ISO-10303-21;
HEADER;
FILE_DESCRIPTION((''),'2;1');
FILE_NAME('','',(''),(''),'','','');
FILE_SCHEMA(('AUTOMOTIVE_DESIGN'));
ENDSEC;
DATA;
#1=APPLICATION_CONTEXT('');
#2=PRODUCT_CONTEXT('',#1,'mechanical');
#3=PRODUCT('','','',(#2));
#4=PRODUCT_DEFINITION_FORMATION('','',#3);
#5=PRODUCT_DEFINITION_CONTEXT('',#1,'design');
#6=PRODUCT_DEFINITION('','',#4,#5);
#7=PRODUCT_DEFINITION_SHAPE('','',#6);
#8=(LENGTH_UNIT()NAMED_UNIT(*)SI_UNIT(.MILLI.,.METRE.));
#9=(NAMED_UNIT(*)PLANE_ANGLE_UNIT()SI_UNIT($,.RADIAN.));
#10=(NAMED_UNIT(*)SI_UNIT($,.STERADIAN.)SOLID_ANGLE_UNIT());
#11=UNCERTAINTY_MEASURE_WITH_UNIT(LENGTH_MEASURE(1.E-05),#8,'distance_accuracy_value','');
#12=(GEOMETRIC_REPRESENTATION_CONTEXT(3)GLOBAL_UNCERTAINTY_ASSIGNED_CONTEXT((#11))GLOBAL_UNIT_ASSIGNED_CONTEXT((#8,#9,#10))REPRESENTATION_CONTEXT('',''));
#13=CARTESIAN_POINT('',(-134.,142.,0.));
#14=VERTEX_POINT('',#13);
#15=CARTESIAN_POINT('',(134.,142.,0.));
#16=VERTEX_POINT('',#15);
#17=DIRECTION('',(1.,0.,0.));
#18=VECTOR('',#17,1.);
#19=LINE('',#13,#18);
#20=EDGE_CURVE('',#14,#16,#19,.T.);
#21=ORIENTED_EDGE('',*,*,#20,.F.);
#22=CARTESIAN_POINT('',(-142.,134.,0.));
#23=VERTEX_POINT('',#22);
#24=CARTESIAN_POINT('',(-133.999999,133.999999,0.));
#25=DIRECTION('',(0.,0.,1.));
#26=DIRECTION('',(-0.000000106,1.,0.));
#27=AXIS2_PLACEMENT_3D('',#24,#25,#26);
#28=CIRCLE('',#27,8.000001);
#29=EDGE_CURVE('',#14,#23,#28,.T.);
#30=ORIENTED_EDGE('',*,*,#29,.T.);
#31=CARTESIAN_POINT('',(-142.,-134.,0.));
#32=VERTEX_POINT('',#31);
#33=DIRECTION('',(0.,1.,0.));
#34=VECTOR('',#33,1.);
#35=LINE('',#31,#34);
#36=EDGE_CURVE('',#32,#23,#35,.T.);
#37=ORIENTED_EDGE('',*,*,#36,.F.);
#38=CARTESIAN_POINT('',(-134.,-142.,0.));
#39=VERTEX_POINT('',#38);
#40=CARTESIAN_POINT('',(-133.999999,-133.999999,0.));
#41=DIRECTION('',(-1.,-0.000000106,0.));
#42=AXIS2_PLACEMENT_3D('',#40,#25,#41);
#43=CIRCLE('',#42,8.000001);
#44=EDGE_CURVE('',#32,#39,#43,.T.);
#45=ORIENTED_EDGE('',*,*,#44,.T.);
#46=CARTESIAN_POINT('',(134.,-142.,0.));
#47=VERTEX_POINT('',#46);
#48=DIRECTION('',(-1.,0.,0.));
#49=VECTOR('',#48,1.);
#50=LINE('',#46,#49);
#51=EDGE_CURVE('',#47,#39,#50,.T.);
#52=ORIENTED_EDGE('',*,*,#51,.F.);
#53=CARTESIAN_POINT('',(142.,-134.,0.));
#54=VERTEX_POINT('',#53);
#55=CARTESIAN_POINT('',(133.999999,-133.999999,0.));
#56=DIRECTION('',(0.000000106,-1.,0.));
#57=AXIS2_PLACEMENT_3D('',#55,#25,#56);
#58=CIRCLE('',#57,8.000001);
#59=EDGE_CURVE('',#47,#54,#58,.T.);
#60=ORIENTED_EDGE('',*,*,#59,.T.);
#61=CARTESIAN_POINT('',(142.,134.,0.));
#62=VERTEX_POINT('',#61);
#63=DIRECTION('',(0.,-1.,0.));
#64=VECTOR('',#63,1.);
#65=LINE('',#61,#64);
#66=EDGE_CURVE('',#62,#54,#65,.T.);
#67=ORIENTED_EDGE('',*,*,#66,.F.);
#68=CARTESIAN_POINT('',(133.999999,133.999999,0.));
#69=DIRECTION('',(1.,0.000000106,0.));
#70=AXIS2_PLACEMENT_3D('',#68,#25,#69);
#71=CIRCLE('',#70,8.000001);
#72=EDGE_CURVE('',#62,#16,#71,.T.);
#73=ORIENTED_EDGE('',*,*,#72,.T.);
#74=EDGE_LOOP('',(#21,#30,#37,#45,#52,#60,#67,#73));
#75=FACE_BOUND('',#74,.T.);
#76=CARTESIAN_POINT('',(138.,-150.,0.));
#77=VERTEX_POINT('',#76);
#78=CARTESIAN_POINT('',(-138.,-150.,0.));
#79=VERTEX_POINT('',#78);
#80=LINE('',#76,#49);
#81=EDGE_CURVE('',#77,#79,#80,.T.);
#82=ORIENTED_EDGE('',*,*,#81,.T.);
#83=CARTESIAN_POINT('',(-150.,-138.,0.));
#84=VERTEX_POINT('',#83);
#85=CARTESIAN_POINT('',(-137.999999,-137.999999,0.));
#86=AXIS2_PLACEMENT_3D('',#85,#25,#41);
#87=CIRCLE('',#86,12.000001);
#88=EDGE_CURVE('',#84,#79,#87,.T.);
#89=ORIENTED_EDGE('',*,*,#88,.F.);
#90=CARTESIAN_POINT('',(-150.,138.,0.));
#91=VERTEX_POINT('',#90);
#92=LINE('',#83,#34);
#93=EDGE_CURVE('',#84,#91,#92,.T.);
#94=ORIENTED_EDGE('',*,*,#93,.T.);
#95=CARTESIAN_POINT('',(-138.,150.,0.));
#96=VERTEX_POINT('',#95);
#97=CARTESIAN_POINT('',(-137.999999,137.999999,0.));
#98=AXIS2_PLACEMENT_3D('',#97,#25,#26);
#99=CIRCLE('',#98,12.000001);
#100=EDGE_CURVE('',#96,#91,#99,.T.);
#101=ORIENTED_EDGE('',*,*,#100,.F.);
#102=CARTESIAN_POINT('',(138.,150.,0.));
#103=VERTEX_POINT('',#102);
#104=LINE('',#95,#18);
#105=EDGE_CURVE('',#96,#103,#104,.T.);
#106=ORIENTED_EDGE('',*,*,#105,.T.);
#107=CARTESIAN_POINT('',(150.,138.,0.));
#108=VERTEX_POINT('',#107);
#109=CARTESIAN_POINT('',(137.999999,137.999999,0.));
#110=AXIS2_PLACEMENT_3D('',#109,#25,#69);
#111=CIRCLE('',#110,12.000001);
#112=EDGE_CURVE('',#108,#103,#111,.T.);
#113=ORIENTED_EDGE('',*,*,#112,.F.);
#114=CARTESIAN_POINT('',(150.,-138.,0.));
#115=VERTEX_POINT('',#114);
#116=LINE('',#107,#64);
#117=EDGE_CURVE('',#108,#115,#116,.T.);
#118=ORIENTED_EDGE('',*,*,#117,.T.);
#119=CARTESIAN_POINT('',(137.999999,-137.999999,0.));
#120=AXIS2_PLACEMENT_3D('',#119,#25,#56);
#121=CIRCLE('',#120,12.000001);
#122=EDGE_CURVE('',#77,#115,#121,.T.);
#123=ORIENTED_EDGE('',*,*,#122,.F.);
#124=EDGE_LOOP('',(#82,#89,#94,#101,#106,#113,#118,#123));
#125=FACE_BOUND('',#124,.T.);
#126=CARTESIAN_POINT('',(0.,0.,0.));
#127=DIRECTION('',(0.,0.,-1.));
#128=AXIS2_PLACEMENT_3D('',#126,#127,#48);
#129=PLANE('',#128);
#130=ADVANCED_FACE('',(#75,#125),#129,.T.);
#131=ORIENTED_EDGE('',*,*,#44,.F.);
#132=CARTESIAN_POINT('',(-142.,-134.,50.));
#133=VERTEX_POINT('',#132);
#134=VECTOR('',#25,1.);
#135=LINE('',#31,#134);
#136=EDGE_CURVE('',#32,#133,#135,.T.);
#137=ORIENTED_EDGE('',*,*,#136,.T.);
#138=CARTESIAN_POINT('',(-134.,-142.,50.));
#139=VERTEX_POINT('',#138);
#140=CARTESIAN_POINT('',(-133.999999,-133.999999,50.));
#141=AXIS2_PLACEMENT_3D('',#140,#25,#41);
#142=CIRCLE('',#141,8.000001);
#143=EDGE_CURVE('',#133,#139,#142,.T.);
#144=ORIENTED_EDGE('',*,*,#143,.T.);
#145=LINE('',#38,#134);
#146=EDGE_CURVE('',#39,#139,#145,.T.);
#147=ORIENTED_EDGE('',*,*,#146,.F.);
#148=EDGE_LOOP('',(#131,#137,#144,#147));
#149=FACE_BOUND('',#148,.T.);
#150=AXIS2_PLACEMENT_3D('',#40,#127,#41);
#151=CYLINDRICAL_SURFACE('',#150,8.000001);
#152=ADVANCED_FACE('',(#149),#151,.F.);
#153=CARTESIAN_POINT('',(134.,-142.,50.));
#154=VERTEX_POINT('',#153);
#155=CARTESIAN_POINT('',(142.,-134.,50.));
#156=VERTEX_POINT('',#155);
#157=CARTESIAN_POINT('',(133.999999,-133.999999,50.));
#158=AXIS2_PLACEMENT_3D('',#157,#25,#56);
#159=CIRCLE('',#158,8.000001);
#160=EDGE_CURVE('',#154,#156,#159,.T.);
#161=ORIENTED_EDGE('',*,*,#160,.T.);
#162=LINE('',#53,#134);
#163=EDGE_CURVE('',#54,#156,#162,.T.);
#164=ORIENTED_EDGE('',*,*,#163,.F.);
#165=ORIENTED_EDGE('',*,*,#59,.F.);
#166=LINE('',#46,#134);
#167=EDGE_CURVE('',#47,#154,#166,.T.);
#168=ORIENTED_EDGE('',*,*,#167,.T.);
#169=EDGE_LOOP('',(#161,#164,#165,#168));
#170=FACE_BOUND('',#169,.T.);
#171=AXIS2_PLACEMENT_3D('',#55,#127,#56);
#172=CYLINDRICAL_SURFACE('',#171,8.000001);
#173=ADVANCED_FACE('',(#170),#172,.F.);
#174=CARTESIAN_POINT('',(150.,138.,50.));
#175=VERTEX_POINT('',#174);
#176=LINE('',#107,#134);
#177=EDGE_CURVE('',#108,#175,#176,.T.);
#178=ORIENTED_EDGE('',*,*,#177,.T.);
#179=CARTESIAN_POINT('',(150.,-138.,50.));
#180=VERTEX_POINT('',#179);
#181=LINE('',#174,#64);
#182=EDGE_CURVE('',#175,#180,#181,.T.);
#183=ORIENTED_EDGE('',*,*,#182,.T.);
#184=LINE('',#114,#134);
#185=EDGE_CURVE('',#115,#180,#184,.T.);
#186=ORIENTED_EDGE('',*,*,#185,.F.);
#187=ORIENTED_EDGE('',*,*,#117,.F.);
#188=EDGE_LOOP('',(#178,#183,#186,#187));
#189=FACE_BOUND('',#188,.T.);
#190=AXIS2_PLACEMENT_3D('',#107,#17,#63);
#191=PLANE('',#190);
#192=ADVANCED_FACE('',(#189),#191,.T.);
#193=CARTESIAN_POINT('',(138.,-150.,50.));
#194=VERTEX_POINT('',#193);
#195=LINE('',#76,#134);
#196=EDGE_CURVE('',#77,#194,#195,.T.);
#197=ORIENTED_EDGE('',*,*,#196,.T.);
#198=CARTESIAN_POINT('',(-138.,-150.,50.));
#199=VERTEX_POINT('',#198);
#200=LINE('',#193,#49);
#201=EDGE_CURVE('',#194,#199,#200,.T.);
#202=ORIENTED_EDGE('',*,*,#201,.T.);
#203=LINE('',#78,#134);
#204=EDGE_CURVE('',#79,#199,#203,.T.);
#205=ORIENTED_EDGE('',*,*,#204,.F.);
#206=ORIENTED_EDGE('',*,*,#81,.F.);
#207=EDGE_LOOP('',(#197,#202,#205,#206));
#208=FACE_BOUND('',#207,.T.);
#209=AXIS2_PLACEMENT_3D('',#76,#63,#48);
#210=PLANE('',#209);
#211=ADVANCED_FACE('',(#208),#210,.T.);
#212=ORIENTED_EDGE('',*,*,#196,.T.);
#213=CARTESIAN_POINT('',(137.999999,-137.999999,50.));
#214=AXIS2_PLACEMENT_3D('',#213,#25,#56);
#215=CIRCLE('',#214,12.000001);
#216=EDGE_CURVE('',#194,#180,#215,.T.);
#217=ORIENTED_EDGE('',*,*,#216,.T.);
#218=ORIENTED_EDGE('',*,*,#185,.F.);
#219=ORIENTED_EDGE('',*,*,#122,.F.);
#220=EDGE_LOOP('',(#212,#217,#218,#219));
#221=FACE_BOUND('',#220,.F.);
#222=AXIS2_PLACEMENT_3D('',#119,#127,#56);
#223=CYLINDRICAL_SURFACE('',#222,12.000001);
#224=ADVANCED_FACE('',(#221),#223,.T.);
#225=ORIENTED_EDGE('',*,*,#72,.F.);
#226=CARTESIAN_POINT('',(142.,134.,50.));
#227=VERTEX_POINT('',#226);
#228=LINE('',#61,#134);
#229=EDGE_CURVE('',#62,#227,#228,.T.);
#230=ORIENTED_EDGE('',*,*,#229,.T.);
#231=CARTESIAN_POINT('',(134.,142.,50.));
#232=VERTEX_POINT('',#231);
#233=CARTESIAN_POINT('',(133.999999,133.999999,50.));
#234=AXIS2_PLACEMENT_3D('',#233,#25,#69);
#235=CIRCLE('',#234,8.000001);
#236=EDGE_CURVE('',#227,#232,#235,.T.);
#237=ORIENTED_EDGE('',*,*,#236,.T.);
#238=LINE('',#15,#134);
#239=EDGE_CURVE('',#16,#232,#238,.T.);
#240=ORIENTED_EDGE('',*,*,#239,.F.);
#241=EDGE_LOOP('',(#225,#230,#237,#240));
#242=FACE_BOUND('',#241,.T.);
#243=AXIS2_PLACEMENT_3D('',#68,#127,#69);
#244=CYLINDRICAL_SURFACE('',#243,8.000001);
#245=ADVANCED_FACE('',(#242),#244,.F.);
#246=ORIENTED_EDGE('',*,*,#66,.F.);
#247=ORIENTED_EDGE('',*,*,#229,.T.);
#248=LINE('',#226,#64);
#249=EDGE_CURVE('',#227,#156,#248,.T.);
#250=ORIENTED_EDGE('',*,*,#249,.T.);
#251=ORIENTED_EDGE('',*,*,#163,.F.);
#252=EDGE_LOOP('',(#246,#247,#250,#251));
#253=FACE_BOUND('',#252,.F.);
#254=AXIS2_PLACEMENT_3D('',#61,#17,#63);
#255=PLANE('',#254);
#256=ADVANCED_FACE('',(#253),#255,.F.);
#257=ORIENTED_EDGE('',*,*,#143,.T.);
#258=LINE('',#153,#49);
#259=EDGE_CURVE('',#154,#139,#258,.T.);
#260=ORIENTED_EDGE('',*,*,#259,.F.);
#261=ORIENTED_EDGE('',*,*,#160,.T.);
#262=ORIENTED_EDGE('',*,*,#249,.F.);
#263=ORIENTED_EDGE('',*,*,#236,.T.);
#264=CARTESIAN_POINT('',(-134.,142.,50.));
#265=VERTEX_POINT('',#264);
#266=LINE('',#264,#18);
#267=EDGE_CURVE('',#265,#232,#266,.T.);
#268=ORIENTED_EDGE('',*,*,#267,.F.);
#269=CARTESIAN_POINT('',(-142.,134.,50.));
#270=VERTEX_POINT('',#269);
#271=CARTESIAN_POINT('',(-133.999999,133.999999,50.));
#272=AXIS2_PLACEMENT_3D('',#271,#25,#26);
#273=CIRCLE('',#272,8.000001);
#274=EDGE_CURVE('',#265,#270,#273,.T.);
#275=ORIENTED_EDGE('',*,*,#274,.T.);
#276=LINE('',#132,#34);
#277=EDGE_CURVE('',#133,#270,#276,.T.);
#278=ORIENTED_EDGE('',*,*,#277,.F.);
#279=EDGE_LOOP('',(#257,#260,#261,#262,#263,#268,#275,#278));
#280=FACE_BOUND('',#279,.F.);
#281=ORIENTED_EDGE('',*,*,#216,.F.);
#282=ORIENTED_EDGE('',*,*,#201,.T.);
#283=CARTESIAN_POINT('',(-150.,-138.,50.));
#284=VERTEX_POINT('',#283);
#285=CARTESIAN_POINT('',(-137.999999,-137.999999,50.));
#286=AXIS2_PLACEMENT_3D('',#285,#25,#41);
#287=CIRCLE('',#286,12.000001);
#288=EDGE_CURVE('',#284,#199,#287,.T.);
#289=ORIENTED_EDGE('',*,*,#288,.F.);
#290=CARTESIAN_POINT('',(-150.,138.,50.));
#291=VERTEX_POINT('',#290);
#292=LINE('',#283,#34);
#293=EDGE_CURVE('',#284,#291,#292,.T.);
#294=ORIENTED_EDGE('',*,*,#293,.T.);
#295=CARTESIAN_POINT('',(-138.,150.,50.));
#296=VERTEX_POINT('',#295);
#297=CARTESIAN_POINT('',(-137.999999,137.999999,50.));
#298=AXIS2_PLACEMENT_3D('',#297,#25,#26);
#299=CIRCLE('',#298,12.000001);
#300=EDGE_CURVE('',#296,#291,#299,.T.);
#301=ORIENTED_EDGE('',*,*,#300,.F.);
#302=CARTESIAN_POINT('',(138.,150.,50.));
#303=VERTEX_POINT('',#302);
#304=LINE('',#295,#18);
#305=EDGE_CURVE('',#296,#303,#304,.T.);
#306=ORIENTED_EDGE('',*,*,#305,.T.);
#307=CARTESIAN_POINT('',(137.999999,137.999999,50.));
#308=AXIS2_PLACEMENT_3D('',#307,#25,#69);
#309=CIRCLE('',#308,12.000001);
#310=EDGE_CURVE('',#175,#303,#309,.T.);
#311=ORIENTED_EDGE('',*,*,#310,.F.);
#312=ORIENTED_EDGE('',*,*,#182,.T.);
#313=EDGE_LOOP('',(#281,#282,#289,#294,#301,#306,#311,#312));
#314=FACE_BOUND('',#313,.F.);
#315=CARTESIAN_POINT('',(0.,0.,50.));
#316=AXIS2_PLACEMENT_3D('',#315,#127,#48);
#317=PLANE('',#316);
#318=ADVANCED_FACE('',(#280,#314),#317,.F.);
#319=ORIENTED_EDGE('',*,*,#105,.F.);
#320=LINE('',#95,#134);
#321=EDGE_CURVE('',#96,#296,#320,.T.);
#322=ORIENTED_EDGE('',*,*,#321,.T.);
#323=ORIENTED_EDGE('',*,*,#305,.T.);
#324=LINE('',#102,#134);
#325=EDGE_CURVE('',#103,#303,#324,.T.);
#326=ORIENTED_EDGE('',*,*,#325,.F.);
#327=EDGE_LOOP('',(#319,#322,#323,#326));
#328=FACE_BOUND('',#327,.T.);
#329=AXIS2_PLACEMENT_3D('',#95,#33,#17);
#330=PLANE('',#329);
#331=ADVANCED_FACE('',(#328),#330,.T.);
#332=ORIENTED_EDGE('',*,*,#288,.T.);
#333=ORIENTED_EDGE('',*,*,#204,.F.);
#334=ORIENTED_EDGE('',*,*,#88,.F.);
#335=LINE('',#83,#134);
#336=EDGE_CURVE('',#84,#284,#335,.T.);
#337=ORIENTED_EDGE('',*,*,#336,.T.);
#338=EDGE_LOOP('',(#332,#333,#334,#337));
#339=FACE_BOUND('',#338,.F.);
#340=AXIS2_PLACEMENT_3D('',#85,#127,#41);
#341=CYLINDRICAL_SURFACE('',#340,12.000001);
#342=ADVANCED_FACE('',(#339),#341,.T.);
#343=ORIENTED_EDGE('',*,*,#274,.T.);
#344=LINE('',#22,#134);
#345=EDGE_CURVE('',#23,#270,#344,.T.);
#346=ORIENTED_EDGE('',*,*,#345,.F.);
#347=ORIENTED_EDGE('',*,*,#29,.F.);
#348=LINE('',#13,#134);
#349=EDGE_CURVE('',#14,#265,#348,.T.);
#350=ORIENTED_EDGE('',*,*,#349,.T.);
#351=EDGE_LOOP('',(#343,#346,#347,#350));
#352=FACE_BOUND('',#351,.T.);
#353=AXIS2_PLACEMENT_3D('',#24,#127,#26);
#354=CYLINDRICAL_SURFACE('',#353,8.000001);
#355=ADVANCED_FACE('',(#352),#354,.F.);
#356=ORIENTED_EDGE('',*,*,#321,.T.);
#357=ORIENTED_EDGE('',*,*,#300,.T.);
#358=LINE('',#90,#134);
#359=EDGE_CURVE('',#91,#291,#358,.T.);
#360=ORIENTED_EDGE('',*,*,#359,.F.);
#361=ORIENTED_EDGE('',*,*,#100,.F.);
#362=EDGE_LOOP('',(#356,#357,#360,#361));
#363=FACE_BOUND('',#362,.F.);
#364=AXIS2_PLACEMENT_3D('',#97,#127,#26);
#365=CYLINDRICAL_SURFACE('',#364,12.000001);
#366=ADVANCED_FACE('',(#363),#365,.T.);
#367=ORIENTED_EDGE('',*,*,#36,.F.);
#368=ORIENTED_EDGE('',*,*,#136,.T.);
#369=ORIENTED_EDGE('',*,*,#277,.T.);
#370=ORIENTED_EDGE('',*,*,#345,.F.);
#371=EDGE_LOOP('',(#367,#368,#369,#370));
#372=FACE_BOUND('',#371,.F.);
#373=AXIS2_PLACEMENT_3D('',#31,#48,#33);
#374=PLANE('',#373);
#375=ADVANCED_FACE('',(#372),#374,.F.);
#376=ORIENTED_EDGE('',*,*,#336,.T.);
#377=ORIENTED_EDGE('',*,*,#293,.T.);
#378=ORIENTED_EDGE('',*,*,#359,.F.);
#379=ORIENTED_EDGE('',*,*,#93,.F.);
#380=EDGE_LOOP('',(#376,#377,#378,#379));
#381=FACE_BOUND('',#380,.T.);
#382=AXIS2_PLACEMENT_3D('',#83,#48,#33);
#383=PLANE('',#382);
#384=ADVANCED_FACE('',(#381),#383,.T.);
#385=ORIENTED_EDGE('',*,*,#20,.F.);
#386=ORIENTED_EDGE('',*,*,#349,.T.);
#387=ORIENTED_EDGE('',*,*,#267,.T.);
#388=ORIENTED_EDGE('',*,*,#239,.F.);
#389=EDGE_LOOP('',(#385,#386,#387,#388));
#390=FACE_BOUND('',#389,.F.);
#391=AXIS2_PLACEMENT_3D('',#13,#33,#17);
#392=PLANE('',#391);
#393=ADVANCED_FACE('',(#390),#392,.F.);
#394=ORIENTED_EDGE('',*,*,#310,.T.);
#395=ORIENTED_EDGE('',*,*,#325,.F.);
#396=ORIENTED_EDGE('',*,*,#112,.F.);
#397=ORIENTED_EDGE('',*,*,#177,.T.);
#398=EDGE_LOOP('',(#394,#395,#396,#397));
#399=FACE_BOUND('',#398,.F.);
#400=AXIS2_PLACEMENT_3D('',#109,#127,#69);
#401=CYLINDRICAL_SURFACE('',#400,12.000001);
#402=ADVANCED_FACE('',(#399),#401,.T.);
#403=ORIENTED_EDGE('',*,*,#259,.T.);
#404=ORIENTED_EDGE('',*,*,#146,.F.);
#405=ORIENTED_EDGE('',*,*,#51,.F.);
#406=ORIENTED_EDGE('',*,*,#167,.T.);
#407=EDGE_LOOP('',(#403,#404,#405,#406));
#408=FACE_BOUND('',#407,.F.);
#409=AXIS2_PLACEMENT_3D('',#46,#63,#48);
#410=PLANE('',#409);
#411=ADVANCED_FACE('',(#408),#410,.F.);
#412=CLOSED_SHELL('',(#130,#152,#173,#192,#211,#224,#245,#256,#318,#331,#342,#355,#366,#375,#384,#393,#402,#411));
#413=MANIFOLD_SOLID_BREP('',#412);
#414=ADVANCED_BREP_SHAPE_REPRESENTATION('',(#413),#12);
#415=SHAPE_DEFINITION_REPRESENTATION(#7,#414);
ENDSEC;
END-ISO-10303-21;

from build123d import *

# Parameters (mm, degrees)
EXTRUDE_DEPTH = 50


with BuildPart() as part:
    # Sketch → Extrude (new body)
    with BuildSketch(Plane.XY):
        with BuildLine():
            Line((-138, 150), (138, 150))
            ThreePointArc((150, 138), (146.485281, 146.485281), (138, 150))
            Line((150, 138), (150, -138))
            ThreePointArc((138, -150), (146.485281, -146.485281), (150, -138))
            Line((138, -150), (-138, -150))
            ThreePointArc((-150, -138), (-146.485281, -146.485281), (-138, -150))
            Line((-150, -138), (-150, 138))
            ThreePointArc((-138, 150), (-146.485281, 146.485281), (-150, 138))
        make_face()
        with BuildLine():
            Line((-134, 142), (134, 142))
            ThreePointArc((142, 134), (139.656854, 139.656854), (134, 142))
            Line((142, 134), (142, -134))
            ThreePointArc((134, -142), (139.656854, -139.656854), (142, -134))
            Line((134, -142), (-134, -142))
            ThreePointArc((-142, -134), (-139.656854, -139.656854), (-134, -142))
            Line((-142, -134), (-142, 134))
            ThreePointArc((-134, 142), (-139.656854, 139.656854), (-142, 134))
        make_face(mode=Mode.SUBTRACT)
    extrude(amount=EXTRUDE_DEPTH)


solid = part.part
